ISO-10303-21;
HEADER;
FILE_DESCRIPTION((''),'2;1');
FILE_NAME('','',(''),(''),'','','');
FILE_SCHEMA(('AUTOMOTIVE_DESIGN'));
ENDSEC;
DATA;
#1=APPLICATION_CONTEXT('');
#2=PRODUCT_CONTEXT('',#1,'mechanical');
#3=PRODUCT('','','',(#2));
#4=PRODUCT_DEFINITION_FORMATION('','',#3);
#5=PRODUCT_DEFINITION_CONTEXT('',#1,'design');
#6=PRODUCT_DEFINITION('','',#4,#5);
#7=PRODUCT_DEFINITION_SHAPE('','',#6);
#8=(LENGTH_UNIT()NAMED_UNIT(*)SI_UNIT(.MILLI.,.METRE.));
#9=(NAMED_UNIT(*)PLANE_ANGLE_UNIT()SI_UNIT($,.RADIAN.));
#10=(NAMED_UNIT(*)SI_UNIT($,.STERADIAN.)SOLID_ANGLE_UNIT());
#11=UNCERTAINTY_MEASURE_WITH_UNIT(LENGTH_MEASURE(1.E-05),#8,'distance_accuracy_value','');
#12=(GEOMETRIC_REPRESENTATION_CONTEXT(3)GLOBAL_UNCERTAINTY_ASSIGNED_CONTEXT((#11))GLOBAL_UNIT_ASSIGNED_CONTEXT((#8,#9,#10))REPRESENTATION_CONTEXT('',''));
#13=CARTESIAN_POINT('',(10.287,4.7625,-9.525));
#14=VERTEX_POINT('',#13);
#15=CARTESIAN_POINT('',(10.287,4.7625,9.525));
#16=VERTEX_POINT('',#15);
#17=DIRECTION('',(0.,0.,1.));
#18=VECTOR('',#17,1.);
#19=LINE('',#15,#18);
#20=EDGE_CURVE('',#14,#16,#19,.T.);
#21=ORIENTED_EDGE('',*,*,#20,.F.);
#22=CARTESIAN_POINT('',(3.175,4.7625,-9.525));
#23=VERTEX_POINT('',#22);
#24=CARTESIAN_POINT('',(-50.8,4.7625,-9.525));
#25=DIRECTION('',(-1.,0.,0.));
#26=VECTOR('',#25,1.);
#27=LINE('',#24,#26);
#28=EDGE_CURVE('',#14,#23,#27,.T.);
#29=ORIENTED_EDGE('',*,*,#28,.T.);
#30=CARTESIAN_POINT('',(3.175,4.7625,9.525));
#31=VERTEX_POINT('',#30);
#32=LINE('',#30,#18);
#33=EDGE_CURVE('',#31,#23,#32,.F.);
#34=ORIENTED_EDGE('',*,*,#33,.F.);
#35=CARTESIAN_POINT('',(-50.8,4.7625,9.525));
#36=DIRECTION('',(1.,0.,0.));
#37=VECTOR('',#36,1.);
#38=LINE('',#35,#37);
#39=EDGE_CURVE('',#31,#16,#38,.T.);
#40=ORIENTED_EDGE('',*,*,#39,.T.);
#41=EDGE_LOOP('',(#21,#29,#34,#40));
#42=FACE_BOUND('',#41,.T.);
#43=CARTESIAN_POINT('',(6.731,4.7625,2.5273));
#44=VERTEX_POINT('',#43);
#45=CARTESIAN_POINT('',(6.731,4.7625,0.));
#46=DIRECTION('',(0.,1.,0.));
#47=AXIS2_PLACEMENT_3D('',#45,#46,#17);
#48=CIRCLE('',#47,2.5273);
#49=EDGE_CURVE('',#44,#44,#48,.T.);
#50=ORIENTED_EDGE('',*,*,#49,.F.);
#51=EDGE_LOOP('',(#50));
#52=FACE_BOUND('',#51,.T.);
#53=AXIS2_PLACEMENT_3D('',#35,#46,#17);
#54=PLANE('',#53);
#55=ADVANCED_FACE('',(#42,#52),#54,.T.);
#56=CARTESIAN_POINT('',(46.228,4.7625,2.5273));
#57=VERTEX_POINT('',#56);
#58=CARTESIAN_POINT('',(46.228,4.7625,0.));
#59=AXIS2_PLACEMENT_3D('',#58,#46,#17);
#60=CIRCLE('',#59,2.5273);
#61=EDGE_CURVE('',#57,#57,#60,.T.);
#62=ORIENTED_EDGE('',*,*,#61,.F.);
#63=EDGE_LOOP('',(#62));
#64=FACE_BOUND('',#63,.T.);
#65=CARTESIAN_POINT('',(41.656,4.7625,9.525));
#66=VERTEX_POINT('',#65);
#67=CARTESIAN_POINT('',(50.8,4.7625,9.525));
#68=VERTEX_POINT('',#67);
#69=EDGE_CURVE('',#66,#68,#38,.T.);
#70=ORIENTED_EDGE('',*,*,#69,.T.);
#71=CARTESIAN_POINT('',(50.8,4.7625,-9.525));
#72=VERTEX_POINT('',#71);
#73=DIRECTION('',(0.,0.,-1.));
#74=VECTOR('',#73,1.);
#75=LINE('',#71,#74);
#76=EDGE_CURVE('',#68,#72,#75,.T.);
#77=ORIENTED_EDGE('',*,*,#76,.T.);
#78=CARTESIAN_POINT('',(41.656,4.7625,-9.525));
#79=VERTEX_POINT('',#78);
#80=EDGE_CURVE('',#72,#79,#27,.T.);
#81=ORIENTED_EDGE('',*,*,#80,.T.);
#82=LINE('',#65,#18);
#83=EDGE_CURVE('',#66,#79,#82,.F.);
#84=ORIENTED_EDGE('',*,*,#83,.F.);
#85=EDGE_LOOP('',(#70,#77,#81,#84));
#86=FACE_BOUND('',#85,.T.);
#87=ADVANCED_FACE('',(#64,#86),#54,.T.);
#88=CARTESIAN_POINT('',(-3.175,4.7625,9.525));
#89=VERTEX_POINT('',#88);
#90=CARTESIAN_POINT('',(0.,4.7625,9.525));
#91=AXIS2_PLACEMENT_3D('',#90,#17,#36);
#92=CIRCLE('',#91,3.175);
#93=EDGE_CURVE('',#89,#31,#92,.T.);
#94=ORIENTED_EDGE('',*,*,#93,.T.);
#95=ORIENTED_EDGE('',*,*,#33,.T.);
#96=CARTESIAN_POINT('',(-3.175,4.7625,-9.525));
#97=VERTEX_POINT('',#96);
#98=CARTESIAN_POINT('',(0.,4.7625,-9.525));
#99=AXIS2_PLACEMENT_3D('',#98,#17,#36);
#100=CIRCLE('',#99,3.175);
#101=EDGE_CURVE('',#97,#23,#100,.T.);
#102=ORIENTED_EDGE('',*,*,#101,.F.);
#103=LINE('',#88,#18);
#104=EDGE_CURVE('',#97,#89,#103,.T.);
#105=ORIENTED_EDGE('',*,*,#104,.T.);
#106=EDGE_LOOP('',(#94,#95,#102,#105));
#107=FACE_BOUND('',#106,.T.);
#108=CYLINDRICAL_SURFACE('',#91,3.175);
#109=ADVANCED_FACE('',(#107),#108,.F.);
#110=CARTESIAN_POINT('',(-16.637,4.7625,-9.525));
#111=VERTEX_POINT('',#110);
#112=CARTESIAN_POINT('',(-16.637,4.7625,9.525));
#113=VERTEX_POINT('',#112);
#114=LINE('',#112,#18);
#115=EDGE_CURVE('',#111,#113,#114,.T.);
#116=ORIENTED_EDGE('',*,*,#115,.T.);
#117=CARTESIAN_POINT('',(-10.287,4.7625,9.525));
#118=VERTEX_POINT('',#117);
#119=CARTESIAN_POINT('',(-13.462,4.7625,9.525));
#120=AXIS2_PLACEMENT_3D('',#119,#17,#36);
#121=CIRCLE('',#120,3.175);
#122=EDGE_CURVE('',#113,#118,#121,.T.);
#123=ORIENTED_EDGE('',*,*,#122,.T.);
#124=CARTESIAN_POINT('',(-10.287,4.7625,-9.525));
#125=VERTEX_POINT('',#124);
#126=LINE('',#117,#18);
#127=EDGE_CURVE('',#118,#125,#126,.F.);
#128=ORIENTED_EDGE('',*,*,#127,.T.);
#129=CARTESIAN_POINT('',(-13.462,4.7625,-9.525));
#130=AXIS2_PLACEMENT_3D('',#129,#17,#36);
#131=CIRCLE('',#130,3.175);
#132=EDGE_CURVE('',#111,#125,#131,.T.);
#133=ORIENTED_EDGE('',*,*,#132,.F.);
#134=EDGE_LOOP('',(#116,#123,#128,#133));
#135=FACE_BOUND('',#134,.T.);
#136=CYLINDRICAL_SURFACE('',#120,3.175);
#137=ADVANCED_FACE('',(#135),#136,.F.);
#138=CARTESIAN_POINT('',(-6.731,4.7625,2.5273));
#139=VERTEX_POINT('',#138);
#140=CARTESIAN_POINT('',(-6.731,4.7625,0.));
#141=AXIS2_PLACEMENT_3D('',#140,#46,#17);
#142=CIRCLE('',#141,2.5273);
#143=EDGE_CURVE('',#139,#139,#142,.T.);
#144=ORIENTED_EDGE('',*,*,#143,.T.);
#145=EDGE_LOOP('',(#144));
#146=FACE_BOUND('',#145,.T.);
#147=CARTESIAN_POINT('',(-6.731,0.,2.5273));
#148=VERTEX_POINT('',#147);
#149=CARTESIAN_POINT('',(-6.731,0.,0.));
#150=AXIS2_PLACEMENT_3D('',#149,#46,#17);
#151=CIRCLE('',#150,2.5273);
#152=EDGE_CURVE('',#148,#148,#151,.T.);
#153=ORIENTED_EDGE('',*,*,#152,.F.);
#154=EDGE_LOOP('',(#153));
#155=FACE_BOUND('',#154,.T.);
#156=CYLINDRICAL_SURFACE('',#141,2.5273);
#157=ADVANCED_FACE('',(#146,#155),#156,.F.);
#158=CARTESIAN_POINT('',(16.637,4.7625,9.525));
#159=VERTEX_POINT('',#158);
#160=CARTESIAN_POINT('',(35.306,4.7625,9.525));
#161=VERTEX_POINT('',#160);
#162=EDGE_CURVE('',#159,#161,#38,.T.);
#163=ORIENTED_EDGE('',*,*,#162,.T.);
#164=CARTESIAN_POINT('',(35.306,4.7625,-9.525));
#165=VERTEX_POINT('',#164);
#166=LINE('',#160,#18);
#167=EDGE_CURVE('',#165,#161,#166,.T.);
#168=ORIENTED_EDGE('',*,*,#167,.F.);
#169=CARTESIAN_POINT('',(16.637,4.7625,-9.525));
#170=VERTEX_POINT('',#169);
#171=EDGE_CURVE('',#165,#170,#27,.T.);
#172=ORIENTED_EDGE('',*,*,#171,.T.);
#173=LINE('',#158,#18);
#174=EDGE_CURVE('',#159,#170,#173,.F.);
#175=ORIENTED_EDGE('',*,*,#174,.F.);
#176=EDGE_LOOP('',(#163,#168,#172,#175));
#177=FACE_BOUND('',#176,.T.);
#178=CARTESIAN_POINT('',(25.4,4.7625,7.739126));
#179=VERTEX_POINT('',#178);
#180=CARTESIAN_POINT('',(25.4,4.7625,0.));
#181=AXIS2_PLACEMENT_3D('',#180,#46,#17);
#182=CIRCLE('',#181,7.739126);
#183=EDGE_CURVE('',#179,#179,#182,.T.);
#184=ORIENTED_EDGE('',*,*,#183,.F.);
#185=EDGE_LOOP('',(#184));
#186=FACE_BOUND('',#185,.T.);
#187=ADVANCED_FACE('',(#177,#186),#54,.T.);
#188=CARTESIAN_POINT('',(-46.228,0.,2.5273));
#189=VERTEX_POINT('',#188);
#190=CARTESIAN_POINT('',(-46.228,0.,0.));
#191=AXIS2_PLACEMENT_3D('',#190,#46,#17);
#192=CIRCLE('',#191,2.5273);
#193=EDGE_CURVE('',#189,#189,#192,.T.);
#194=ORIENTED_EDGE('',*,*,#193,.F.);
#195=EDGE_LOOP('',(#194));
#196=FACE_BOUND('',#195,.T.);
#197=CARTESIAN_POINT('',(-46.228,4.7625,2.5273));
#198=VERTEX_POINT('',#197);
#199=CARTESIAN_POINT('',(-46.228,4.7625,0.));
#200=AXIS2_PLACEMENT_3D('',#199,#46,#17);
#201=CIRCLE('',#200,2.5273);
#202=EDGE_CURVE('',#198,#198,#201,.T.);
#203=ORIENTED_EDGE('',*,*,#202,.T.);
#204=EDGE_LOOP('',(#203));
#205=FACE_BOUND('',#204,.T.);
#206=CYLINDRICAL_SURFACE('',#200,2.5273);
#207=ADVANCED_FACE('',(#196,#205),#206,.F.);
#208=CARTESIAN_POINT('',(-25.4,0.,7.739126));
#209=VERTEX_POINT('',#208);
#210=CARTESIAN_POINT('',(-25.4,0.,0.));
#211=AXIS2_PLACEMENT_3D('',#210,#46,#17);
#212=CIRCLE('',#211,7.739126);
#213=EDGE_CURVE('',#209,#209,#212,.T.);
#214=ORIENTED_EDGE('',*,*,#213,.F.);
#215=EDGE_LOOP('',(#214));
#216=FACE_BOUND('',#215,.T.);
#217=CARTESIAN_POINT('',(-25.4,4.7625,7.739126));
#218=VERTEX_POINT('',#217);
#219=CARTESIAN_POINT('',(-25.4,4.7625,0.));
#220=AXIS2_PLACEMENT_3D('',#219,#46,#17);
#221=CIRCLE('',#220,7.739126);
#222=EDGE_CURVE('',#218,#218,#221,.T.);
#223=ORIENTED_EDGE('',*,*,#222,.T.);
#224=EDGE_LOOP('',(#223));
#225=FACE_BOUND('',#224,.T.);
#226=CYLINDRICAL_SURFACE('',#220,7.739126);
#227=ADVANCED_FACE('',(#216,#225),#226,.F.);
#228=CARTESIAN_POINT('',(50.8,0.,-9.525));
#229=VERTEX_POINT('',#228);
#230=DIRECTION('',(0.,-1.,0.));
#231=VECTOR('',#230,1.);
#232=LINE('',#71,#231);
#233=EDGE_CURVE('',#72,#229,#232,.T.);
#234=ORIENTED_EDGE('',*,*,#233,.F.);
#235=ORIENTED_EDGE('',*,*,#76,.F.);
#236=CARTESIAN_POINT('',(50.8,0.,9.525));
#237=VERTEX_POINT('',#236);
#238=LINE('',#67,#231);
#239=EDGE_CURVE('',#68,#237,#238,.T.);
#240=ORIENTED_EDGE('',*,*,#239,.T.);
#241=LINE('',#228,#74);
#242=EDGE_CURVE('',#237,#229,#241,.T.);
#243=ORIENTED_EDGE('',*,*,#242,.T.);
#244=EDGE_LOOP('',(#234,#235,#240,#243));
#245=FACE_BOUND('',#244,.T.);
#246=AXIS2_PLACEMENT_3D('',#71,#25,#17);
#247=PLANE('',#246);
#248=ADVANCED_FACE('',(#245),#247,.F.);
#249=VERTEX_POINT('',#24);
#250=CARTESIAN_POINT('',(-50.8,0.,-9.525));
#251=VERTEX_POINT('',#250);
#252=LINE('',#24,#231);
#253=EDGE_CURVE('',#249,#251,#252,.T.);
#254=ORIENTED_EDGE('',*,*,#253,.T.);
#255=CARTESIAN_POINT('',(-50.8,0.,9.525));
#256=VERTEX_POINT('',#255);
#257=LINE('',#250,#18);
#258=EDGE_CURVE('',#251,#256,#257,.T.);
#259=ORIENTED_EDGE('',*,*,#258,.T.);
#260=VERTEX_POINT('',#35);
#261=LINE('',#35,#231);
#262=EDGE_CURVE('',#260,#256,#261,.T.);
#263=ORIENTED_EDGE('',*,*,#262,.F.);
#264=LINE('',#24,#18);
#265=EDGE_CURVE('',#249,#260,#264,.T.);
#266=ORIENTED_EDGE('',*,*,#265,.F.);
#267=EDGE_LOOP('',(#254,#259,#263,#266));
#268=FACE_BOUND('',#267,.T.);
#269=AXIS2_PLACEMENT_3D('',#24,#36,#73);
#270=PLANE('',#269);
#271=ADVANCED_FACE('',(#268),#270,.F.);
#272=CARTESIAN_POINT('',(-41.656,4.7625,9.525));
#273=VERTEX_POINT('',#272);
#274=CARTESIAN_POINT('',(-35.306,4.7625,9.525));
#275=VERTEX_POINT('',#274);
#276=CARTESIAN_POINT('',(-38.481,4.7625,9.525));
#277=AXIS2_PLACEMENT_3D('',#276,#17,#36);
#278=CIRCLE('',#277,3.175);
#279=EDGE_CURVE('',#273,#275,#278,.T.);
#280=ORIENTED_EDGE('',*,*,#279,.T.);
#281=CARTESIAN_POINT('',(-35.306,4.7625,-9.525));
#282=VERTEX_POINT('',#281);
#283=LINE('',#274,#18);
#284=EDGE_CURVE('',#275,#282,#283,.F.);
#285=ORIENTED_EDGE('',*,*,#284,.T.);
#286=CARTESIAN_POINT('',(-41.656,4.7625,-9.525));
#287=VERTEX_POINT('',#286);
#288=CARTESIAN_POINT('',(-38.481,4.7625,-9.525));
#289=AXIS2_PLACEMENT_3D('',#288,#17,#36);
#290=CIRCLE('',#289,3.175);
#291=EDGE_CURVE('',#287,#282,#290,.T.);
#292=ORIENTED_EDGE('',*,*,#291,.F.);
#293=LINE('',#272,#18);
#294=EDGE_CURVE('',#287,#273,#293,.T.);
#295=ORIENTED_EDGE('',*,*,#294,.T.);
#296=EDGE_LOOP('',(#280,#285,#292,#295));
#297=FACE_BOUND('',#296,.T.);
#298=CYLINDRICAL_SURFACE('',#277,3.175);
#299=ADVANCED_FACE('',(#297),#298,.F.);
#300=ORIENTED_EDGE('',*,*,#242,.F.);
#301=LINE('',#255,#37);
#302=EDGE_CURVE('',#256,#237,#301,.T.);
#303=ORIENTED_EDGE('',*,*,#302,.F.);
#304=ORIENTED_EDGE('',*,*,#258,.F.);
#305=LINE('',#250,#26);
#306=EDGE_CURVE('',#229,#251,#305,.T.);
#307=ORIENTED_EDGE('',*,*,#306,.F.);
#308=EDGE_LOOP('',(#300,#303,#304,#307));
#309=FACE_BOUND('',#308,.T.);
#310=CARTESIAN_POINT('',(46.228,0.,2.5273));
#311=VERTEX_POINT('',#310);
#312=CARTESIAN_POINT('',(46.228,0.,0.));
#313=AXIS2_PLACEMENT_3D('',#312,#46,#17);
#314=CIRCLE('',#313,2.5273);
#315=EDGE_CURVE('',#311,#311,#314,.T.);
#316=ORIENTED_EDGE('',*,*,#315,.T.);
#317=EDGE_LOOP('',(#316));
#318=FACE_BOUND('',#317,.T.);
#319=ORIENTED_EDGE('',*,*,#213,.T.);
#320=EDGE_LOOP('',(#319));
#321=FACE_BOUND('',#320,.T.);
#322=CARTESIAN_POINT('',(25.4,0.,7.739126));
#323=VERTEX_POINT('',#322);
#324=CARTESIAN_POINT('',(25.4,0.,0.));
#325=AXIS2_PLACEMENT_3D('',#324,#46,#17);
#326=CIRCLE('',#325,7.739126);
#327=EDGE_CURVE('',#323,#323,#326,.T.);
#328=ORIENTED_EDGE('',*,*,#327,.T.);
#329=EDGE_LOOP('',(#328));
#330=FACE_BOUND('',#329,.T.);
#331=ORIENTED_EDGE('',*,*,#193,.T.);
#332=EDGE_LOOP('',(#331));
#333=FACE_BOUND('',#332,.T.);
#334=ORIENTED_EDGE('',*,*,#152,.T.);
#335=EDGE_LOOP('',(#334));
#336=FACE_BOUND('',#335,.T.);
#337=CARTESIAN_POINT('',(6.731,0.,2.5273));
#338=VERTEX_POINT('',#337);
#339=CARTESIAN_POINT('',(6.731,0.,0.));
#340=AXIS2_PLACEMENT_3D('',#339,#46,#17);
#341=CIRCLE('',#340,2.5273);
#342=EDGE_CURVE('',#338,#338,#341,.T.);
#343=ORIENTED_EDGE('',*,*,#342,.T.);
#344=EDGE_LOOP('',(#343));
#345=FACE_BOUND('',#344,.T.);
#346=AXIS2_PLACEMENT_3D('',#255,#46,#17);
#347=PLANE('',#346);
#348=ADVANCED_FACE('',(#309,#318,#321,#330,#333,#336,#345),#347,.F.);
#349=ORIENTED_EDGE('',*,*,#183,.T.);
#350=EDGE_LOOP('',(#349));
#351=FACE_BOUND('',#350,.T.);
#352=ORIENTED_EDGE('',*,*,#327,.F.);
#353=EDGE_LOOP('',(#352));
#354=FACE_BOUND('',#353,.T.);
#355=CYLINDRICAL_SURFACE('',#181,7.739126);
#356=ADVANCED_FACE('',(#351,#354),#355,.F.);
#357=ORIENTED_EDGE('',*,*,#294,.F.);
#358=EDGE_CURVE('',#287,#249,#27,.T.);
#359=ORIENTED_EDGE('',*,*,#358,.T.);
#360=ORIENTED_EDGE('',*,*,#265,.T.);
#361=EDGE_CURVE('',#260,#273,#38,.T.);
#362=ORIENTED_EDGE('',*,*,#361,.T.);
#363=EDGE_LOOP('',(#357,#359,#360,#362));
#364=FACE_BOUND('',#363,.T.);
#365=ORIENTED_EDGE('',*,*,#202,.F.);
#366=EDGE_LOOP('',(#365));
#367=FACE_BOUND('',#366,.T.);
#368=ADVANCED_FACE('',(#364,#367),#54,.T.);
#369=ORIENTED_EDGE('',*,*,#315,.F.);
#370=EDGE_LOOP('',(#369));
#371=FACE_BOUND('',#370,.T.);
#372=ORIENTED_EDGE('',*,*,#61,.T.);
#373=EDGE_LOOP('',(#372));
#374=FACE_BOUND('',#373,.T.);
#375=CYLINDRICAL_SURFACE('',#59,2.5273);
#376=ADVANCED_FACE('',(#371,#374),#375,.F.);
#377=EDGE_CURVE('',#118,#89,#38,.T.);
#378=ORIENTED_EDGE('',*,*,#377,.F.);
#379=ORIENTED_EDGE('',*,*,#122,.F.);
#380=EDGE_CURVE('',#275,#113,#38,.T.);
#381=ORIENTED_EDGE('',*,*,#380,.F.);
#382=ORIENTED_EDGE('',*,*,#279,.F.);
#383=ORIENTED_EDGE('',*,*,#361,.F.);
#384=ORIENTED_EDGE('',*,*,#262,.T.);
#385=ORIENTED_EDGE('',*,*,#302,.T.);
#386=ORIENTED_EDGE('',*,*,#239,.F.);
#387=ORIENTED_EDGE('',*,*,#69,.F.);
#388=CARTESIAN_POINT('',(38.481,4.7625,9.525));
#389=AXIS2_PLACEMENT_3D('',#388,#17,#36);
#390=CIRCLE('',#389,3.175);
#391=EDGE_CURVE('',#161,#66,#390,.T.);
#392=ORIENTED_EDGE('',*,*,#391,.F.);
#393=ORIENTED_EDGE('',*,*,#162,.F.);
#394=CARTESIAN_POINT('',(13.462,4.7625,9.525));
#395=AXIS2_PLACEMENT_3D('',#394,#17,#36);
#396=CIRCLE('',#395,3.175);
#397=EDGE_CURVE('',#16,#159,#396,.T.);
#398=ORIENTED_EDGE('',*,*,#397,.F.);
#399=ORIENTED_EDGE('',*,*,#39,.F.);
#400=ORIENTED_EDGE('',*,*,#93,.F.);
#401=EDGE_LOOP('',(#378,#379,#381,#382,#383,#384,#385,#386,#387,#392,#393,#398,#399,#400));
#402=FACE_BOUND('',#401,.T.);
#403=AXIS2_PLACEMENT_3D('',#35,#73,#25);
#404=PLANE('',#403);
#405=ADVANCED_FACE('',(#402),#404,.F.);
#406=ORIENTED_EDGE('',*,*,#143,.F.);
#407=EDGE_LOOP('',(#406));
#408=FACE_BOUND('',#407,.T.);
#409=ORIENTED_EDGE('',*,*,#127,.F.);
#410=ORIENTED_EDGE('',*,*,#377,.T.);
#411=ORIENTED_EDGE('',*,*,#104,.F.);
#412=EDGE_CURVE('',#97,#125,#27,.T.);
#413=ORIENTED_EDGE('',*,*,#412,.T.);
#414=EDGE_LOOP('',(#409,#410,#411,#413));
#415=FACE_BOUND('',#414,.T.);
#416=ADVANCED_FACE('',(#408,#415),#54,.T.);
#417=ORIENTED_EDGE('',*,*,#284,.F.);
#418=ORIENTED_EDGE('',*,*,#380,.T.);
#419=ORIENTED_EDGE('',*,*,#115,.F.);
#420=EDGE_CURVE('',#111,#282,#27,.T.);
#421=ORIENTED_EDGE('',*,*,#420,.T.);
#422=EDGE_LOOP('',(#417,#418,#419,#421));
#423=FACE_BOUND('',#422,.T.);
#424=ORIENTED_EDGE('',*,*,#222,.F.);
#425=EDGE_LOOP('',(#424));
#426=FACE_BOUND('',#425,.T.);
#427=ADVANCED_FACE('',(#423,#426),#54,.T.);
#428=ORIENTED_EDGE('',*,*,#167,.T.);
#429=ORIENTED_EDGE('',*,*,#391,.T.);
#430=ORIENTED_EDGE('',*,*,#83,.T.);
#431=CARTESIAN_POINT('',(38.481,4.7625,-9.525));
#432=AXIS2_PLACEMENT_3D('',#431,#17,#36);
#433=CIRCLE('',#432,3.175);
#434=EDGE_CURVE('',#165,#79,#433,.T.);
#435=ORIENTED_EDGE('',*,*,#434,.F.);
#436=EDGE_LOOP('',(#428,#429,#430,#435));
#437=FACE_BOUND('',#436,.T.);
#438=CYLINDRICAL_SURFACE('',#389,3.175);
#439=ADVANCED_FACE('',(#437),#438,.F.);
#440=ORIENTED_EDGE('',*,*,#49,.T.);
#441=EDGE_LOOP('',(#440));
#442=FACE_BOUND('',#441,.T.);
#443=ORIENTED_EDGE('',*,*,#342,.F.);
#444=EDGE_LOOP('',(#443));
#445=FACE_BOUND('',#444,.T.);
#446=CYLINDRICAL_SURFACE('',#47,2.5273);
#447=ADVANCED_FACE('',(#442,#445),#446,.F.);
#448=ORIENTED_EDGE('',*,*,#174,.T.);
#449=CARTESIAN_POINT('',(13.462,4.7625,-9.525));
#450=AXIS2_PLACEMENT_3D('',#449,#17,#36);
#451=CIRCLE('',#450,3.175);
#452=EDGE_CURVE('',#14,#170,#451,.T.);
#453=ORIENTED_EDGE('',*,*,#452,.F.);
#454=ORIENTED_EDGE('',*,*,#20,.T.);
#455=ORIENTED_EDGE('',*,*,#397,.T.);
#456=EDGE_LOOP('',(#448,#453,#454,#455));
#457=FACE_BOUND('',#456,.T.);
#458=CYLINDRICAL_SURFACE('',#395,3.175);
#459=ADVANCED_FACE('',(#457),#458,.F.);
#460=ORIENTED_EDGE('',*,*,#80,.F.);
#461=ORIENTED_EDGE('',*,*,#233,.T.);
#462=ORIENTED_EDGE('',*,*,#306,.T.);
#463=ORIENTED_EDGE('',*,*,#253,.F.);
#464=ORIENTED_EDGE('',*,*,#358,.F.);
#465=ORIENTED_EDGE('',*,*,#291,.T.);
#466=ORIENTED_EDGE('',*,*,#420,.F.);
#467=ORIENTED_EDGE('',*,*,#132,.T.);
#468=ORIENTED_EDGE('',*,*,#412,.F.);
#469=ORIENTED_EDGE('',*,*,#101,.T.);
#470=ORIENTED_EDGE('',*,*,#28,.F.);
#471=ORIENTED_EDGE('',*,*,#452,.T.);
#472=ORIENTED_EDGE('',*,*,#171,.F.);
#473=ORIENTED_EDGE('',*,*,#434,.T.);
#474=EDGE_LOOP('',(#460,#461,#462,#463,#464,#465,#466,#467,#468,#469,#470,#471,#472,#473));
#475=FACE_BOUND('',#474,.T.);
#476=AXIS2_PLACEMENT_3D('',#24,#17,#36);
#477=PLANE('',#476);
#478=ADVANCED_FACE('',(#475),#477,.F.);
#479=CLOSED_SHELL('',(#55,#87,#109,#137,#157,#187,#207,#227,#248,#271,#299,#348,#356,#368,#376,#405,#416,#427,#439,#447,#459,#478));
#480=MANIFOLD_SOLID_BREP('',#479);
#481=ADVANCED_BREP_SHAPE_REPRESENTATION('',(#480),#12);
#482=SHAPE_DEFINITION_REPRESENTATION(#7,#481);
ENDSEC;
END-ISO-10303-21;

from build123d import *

# Parameters (mm, degrees)
SKETCH1_W                        = 101.6
SKETCH1_H                        = 19.05
EXTRUDE1_DEPTH                   = 4.7625
F_39_64_0_60938_DIAMETER_HOLE1_D = 15.478252
F_1_4_0_25_DIAMETER_HOLE1_D      = 6.35
F_8_0_199_DIAMETER_HOLE1_D       = 5.0546


with BuildPart() as part:
    # Sketch1 → Extrude1 (new body)
    with BuildSketch(Plane(origin=(0, 0, 0), x_dir=(1, 0, 0), z_dir=(0, 1, 0))):
        Rectangle(SKETCH1_W, SKETCH1_H)
    extrude(amount=EXTRUDE1_DEPTH)

    # 39/64 (0.60938) Diameter Hole1 (through all)
    with Locations(Plane(origin=(0, 4.7625, 0), x_dir=(-1, 0, 0), z_dir=(0, 1, 0))):
        with Locations((25.4, 0), (-25.4, 0)):
            Hole(F_39_64_0_60938_DIAMETER_HOLE1_D / 2)

    # 1/4 (0.25) Diameter Hole1 (through all)
    with Locations(Plane.XY.offset(9.525)):
        with Locations((0, 4.7625), (-13.462, 4.7625), (13.462, 4.7625), (-38.481, 4.7625), (38.481, 4.7625)):
            Hole(F_1_4_0_25_DIAMETER_HOLE1_D / 2)

    # #8 (0.199) Diameter Hole1 (through all)
    with Locations(Plane(origin=(0, 4.7625, 0), x_dir=(-1, 0, 0), z_dir=(0, 1, 0))):
        with Locations((-46.228, 0), (-6.731, 0), (6.731, 0), (46.228, 0)):
            Hole(F_8_0_199_DIAMETER_HOLE1_D / 2)


solid = part.part
